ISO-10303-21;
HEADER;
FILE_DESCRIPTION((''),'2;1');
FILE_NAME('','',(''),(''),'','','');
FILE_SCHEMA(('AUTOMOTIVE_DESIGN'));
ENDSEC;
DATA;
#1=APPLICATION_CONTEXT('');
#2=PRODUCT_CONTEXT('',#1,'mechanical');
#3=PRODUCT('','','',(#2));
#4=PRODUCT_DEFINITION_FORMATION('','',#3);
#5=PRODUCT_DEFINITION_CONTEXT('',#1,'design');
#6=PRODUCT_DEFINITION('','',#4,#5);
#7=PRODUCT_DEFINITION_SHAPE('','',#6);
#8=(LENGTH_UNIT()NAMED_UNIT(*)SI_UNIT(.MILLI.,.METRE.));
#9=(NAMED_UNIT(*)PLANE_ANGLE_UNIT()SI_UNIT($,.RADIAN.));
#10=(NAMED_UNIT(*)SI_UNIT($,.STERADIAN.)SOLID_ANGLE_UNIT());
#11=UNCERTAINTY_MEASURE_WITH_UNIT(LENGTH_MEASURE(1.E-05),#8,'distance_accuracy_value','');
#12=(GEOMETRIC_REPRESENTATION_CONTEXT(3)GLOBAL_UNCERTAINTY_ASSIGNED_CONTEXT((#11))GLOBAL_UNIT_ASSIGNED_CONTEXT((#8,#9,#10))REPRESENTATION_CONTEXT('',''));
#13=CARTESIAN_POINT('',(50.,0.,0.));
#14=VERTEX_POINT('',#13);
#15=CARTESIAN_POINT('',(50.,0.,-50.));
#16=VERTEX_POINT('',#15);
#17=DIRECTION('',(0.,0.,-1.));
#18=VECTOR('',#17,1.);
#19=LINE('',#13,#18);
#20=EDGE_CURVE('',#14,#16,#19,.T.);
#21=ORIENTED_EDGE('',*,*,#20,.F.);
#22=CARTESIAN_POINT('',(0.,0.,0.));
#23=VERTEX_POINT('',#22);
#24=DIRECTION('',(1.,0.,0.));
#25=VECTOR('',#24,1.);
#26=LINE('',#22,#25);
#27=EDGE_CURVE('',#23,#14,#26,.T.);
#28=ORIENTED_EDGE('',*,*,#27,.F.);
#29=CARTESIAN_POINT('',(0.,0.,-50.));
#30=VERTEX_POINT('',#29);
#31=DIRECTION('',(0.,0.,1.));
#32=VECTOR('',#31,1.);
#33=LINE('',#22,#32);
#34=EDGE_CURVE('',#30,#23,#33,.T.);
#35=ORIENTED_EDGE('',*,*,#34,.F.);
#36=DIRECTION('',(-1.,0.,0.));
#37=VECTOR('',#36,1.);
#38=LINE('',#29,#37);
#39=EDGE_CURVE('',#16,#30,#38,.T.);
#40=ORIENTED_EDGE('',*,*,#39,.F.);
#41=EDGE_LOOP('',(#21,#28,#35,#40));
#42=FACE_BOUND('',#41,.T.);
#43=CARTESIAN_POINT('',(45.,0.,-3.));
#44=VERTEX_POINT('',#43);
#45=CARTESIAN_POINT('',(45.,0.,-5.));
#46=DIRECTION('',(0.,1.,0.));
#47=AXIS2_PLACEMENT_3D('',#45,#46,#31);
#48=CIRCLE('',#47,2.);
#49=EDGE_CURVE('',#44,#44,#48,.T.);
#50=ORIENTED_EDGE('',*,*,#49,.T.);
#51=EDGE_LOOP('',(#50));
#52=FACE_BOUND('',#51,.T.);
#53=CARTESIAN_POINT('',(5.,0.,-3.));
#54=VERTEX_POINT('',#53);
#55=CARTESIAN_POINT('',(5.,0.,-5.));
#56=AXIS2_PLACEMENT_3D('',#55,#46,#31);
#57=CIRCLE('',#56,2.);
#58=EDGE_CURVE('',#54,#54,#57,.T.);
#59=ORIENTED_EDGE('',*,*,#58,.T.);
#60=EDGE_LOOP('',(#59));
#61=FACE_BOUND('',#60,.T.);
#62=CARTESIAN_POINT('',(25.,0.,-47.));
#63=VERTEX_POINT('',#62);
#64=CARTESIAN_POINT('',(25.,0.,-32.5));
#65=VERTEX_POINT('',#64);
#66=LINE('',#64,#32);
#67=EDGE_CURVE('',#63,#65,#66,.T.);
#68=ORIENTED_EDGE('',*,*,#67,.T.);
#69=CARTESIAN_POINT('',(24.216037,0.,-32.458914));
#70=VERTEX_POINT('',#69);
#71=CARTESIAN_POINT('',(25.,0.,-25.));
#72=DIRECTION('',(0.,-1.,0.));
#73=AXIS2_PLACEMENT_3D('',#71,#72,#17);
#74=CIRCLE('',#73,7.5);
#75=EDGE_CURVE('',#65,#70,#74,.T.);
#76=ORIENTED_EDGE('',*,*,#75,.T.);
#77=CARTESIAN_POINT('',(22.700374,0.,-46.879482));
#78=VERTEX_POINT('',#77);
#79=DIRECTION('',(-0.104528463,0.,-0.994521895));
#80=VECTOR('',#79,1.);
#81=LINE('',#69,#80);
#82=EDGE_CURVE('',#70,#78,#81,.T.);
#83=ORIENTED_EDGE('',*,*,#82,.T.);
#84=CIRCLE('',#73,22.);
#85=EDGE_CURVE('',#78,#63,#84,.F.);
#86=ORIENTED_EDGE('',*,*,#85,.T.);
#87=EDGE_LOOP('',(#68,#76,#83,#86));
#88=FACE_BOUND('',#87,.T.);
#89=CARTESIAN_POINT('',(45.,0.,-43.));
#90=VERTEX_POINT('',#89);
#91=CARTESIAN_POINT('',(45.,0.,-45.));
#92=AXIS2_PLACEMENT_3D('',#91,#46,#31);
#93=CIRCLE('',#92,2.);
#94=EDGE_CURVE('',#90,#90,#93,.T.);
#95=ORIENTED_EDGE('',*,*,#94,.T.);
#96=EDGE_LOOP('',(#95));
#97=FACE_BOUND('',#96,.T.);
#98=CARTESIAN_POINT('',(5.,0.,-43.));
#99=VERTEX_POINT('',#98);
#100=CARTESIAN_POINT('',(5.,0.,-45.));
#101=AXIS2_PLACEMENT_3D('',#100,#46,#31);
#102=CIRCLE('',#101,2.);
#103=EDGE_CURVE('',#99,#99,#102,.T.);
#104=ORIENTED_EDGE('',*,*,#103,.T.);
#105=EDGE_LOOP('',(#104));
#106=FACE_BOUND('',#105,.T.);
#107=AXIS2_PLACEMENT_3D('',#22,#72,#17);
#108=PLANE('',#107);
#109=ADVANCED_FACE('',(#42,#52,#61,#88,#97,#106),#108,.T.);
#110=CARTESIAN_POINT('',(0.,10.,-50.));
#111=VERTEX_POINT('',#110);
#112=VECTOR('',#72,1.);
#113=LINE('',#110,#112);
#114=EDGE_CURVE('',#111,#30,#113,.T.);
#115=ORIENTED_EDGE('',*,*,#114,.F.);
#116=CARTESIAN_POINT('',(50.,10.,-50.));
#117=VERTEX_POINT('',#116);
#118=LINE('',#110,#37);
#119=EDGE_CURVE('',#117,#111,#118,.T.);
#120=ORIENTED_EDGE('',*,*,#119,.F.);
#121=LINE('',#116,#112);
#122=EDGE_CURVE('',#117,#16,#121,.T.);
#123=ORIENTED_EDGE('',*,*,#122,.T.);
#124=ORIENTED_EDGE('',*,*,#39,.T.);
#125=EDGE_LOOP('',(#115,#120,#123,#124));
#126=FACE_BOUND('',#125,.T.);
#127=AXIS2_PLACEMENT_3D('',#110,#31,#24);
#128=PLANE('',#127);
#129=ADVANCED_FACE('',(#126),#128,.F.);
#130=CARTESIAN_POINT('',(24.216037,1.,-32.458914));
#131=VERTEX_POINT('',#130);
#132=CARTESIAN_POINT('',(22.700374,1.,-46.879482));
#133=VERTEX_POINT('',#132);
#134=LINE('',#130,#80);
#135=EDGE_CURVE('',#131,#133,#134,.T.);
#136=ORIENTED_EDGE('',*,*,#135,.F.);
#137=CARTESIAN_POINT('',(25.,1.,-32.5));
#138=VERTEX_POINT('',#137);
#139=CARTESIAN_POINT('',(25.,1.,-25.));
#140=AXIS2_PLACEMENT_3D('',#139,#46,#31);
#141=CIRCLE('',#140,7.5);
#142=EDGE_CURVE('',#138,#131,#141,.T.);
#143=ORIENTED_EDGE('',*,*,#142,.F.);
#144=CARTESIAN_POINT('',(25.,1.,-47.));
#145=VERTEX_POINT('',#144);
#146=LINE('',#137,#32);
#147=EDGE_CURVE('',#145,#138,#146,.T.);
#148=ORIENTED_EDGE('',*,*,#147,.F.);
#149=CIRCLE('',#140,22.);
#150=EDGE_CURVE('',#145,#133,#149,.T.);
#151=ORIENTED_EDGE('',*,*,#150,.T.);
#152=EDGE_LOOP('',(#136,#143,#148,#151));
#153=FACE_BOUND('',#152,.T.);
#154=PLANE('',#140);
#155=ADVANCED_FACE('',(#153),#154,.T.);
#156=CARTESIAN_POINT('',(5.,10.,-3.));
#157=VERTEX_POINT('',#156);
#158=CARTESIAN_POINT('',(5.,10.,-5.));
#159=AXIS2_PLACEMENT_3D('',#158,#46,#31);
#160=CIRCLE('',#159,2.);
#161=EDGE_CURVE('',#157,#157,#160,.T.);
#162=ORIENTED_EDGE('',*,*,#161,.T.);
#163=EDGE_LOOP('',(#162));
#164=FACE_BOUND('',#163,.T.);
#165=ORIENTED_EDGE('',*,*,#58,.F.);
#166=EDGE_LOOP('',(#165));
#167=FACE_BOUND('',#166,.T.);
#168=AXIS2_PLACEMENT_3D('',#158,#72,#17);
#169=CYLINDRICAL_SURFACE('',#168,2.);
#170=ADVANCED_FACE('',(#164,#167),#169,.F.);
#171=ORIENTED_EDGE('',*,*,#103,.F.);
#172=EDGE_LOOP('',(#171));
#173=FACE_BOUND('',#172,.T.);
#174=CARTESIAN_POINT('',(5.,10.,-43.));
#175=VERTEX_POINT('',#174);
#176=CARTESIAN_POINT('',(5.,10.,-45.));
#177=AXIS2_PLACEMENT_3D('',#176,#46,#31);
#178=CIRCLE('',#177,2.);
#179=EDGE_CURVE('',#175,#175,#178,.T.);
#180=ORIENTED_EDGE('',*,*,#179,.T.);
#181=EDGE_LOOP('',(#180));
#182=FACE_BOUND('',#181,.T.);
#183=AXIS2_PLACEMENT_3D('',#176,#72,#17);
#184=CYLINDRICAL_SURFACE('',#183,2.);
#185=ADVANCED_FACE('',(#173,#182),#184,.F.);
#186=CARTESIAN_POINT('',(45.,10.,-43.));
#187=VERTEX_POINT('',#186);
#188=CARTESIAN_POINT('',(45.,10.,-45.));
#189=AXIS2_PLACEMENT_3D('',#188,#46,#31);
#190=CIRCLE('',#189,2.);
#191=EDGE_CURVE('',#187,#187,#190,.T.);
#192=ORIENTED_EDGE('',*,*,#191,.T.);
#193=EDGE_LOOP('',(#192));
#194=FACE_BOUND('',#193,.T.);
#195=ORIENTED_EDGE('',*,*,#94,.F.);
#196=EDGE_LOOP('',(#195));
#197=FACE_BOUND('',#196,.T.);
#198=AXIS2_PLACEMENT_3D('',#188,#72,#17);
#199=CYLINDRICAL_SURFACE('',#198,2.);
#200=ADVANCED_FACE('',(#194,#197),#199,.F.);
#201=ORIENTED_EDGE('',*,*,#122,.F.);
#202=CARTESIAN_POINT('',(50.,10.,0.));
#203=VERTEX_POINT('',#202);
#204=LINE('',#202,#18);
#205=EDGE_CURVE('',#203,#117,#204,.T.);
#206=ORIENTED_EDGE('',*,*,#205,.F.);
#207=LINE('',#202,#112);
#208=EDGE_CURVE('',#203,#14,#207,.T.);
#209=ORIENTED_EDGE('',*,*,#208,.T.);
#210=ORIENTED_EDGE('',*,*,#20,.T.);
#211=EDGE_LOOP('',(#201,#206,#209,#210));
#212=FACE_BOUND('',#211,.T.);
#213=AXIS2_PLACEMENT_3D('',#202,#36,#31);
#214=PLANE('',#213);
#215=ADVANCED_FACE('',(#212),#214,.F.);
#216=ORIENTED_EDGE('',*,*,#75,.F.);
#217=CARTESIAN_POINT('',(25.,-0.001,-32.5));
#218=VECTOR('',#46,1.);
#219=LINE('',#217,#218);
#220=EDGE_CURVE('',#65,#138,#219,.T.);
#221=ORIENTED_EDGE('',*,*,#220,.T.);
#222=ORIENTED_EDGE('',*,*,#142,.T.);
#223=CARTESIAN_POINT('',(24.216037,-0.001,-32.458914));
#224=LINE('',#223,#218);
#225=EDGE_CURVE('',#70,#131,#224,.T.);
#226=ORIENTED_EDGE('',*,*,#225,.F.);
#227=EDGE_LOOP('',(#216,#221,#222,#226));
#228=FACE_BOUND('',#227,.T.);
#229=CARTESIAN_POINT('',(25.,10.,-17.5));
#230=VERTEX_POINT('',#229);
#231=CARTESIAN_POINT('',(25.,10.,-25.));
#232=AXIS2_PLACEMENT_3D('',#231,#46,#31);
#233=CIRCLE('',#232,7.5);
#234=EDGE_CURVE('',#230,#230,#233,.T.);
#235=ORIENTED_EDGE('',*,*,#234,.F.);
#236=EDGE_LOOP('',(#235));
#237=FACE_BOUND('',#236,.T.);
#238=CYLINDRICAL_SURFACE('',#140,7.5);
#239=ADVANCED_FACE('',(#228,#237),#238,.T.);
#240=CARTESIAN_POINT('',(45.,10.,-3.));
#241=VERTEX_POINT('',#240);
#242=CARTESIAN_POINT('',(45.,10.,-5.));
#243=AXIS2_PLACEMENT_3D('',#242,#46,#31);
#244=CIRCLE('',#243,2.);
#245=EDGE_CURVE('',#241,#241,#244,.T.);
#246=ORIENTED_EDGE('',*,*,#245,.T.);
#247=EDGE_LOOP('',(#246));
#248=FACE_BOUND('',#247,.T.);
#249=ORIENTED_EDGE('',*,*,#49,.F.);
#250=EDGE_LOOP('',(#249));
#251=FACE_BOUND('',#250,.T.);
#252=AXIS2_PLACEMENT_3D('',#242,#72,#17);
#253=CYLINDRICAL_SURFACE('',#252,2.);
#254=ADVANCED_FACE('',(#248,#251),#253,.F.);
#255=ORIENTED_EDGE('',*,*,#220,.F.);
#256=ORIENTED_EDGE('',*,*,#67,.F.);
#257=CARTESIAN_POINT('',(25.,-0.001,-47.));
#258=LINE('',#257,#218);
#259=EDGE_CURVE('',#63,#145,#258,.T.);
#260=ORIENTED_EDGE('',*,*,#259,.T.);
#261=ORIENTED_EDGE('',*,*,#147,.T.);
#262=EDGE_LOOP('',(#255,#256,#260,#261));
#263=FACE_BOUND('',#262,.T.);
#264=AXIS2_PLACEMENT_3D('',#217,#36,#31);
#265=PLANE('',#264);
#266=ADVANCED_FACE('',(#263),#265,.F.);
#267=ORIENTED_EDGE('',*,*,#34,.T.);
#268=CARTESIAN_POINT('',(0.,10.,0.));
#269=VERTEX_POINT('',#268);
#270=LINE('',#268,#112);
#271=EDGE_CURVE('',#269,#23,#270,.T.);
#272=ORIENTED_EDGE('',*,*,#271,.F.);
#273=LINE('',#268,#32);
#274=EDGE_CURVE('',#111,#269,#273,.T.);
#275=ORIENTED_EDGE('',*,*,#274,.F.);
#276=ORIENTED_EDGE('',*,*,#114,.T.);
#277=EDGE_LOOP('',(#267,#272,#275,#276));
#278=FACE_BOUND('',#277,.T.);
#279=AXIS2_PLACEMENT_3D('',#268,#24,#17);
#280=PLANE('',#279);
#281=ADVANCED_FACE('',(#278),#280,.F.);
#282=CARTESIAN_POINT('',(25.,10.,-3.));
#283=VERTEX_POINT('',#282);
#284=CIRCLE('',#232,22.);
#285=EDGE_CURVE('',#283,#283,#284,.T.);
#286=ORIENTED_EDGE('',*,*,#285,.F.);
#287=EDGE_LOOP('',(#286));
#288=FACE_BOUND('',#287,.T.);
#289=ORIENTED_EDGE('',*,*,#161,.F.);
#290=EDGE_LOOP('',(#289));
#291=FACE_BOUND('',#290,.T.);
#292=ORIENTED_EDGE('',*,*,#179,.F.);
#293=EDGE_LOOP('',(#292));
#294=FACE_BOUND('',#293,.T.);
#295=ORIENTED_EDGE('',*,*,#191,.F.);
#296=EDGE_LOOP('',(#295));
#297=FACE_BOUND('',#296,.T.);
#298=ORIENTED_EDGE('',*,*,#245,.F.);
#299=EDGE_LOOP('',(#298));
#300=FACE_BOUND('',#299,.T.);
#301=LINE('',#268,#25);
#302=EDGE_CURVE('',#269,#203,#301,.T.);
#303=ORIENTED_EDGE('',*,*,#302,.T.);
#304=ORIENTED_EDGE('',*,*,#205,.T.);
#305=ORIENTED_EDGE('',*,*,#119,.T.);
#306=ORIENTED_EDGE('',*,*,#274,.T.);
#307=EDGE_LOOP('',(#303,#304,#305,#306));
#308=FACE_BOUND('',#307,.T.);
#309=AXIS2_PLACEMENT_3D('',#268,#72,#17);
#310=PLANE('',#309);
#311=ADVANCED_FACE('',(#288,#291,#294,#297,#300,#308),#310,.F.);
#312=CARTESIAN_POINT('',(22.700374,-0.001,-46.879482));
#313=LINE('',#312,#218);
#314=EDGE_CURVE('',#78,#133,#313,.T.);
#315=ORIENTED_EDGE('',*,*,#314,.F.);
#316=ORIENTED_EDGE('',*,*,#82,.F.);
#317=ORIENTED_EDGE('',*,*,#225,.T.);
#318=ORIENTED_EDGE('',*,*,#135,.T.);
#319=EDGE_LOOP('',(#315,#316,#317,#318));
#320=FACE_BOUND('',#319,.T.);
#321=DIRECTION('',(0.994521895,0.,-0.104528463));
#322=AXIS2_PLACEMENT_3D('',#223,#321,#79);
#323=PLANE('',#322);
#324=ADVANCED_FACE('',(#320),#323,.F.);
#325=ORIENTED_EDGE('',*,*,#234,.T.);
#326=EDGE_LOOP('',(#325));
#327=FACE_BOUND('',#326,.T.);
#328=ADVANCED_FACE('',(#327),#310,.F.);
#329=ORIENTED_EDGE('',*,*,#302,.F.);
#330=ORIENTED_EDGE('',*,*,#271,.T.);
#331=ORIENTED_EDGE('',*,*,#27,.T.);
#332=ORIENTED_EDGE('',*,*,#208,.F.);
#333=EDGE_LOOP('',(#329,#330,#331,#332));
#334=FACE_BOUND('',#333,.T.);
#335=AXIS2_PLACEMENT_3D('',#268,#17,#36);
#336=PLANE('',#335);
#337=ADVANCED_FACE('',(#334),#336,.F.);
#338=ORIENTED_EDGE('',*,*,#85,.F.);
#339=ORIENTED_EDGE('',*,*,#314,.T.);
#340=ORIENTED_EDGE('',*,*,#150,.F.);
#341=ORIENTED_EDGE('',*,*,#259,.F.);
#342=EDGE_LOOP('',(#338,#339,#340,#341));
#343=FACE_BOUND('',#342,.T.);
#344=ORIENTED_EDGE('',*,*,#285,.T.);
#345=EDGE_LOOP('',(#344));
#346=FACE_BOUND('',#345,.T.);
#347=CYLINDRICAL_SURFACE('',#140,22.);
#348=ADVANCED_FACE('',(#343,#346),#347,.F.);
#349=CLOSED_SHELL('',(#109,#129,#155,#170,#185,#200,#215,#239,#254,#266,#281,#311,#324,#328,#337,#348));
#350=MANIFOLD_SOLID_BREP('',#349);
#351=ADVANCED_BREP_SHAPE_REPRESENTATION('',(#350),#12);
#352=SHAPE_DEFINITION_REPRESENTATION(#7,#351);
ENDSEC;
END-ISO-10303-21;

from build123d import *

# Parameters (mm, degrees)
SKETCH_1_W          = 50
SKETCH_1_H          = 50
SKETCH_1_R          = 2
EXTRUDE_1_DEPTH     = 10
SKETCH_2_R          = 22
SKETCH_2_R_2        = 7.5
CUT_EXTRUDE_2_DEPTH = 9
CUT_EXTRUDE_3_DEPTH = 1


with BuildPart() as part:
    # 草图1 → 凸台-拉伸1 (new body)
    with BuildSketch(Plane(origin=(0, 0, 0), x_dir=(1, 0, 0), z_dir=(0, 1, 0))):
        with Locations((25, 25)):
            Rectangle(SKETCH_1_W, SKETCH_1_H)
        with Locations(Location((5, 45, 0), (0, 0, 270))):
            Circle(SKETCH_1_R, mode=Mode.SUBTRACT)
        with Locations(Location((45, 45, 0), (0, 0, 270))):
            Circle(SKETCH_1_R, mode=Mode.SUBTRACT)
        with Locations(Location((45, 5, 0), (0, 0, 270))):
            Circle(SKETCH_1_R, mode=Mode.SUBTRACT)
        with Locations(Location((5, 5, 0), (0, 0, 270))):
            Circle(SKETCH_1_R, mode=Mode.SUBTRACT)
    extrude(amount=EXTRUDE_1_DEPTH)

    # 草图2 → 切除-拉伸2 (cut)
    with BuildSketch(Plane(origin=(0, 10, 0), x_dir=(1, 0, 0), z_dir=(0, 1, 0))):
        with Locations(Location((25, 25, 0), (0, 0, 270))):
            Circle(SKETCH_2_R)
        with Locations(Location((25, 25, 0), (0, 0, 270))):
            Circle(SKETCH_2_R_2, mode=Mode.SUBTRACT)
    extrude(amount=-CUT_EXTRUDE_2_DEPTH, mode=Mode.SUBTRACT)

    # 草图3 → 切除-拉伸3 (cut)
    with BuildSketch(Plane(origin=(0, 1, 0), x_dir=(1, 0, 0), z_dir=(0, 1, 0))):
        with BuildLine():
            Line((24.216036525, 32.458914215), (22.700373808, 46.879481698))
            ThreePointArc((22.700373808, 46.879481698), (26.151391037, 3.030150235), (25, 47))
            Line((25, 47), (25, 32.5))
            ThreePointArc((25, 32.5), (25.392519672, 17.510278489), (24.216036525, 32.458914215))
        make_face()
    extrude(amount=-CUT_EXTRUDE_3_DEPTH, mode=Mode.SUBTRACT)


solid = part.part
